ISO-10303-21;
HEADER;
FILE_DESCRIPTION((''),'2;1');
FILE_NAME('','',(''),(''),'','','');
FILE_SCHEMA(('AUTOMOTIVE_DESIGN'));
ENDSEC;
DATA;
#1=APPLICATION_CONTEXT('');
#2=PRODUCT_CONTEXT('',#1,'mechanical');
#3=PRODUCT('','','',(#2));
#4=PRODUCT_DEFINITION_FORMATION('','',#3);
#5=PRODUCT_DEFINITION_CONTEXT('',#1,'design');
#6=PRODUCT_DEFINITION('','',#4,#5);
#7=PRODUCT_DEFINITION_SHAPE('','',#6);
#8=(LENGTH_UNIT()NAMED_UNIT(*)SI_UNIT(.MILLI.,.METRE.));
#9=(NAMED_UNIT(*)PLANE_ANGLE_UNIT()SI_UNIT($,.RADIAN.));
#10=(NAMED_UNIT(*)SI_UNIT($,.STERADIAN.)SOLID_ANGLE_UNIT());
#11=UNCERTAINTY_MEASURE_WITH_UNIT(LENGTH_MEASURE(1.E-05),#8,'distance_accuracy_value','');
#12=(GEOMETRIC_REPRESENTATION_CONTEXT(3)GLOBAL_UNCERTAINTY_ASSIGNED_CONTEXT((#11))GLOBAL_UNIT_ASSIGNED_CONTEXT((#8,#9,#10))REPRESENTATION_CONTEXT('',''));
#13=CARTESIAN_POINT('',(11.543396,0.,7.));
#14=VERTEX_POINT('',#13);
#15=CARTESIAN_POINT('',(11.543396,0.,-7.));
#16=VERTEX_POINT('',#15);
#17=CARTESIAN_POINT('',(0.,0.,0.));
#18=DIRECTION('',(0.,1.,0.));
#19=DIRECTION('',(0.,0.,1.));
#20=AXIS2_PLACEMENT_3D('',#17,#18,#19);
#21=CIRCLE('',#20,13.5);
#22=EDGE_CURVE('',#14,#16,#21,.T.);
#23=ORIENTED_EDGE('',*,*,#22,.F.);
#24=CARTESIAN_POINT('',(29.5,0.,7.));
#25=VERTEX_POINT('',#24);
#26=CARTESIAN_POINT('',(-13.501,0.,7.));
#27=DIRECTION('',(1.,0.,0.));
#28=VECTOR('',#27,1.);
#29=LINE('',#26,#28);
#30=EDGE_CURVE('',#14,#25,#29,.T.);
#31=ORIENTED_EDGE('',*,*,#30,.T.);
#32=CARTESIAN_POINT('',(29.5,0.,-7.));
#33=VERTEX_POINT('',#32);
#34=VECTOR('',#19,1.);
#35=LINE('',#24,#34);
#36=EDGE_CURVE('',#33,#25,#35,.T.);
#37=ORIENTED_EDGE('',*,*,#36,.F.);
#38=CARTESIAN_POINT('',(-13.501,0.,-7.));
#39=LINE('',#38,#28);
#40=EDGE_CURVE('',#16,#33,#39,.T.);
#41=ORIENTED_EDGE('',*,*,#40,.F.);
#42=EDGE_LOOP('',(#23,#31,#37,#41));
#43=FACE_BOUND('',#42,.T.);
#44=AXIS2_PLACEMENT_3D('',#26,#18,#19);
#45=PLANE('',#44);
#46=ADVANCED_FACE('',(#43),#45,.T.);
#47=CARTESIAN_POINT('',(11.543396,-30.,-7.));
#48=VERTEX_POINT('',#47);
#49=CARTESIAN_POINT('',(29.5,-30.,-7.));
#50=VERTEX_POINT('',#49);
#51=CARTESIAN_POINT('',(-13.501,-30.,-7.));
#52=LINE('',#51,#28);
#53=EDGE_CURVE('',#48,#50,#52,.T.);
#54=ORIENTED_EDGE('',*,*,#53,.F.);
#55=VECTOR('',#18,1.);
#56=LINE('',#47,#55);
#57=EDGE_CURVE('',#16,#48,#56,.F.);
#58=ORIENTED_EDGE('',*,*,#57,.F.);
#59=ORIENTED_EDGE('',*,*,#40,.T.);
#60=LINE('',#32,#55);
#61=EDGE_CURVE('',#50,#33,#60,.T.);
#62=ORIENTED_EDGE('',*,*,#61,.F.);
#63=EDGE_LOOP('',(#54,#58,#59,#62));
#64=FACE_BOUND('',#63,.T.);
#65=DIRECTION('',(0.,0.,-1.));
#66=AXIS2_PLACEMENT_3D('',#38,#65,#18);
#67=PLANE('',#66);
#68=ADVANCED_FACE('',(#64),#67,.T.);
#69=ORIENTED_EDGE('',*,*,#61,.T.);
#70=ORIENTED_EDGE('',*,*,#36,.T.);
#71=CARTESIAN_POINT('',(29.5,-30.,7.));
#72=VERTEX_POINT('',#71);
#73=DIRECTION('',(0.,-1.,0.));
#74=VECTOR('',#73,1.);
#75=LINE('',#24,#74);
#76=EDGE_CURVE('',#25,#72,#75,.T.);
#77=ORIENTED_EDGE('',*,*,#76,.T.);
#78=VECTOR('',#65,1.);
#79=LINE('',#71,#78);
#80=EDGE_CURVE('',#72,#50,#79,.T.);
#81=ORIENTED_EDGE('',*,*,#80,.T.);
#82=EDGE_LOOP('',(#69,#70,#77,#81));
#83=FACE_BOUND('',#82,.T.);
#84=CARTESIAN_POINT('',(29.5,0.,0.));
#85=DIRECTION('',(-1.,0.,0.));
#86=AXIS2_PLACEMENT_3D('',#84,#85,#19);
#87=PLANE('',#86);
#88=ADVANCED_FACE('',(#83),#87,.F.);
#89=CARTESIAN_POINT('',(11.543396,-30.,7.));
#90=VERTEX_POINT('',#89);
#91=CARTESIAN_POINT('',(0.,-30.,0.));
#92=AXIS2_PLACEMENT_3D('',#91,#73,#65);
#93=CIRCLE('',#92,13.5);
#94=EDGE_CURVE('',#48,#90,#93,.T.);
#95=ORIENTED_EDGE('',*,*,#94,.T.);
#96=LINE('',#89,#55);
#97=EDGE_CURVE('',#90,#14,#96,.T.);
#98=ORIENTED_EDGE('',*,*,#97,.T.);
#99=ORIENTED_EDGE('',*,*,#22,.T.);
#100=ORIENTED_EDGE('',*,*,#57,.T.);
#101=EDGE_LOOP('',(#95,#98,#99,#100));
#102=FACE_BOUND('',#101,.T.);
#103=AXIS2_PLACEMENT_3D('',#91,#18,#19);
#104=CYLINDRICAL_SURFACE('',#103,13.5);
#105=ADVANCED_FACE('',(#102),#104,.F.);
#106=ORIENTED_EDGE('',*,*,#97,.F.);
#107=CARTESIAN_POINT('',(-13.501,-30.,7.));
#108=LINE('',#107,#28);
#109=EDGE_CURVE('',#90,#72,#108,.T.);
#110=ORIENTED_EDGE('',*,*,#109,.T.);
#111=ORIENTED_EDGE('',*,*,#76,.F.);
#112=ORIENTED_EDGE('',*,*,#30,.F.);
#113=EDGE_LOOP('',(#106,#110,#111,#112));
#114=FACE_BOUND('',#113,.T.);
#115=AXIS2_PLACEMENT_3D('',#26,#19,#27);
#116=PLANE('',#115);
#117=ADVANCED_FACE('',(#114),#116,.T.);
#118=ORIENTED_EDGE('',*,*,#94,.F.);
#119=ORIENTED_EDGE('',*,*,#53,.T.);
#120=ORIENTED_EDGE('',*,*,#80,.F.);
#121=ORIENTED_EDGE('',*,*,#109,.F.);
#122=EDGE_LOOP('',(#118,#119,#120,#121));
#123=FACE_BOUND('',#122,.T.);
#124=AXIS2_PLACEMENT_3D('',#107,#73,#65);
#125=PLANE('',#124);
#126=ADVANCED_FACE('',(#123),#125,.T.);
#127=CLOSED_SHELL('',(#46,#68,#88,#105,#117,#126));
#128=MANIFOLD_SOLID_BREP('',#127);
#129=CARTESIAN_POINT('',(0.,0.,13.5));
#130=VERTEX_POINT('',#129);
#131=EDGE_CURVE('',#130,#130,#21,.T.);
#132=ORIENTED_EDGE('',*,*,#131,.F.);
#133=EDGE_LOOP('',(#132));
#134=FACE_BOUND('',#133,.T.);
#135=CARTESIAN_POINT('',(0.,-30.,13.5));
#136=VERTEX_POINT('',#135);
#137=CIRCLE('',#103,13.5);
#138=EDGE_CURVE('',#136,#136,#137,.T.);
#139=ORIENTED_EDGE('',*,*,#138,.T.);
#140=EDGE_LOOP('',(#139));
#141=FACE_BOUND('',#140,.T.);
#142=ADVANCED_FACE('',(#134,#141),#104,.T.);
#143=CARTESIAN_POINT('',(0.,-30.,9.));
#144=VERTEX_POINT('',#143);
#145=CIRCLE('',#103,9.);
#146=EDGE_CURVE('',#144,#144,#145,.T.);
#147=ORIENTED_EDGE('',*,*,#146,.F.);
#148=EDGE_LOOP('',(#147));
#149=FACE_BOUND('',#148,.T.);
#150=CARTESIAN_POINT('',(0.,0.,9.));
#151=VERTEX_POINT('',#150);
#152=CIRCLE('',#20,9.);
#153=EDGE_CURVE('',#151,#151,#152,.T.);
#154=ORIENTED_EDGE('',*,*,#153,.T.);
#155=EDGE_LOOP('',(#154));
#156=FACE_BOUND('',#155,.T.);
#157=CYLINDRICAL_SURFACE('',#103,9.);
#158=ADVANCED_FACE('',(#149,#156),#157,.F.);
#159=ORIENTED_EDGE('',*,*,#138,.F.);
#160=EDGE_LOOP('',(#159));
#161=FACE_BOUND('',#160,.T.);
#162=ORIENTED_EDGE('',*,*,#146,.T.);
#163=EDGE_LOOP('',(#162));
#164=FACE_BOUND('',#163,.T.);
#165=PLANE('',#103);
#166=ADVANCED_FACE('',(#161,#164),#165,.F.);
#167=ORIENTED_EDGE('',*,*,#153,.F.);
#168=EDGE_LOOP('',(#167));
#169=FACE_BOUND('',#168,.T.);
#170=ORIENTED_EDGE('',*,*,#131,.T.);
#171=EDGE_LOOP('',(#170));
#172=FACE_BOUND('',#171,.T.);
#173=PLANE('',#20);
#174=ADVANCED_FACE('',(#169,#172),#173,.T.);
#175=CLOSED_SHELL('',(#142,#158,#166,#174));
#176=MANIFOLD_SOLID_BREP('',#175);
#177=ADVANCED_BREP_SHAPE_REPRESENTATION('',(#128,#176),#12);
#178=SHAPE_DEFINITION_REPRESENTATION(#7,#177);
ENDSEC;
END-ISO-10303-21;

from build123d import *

# Parameters (mm, degrees)
SKETCH1_R                = 13.5
BOSS_EXTRUDE1_DEPTH      = 30
SKETCH2_R                = 9
CUT_EXTRUDE1_DEPTH       = 36.559808773
BOSS_EXTRUDE3_REACH      = 56.141
BOSS_EXTRUDE3_END_RADIUS = 13.5
SKETCH3_W                = 14
SKETCH3_H                = 30


with BuildPart() as part:
    # Sketch1 → Boss-Extrude1 (new body)
    with BuildSketch(Plane(origin=(0, 0, 0), x_dir=(1, 0, 0), z_dir=(0, 1, 0))):
        with Locations(Location((0, 0, 0), (0, 0, 270))):
            Circle(SKETCH1_R)
    extrude(amount=-BOSS_EXTRUDE1_DEPTH)

    # Sketch2 → Cut-Extrude1 (cut, through all)
    with BuildSketch(Plane(origin=(0, 0, 0), x_dir=(1, 0, 0), z_dir=(0, 1, 0))):
        with Locations(Location((0, 0, 0), (0, 0, 270))):
            Circle(SKETCH2_R)
    extrude(amount=-CUT_EXTRUDE1_DEPTH, mode=Mode.SUBTRACT)


with BuildPart() as body_2:
    # Boss-Extrude3: up to this cylinder (the profile starts outside it)
    boss_extrude3_end = Plane(origin=(0, -15, 0), z_dir=(0, 1, 0)) * Cylinder(BOSS_EXTRUDE3_END_RADIUS, 140.282, mode=Mode.PRIVATE)
    # Sketch3 → Boss-Extrude3 (new, up to the surface)
    with BuildSketch(Plane(origin=(29.5, 0, 0), x_dir=(0, 0, -1), z_dir=(1, 0, 0)), mode=Mode.PRIVATE) as boss_extrude3_sk1:
        with Locations((0, -15)):
            Rectangle(SKETCH3_W, SKETCH3_H)
    boss_extrude3_tool1 = extrude(boss_extrude3_sk1.sketch, amount=-BOSS_EXTRUDE3_REACH, mode=Mode.PRIVATE) - boss_extrude3_end
    add(boss_extrude3_tool1.solids().sort_by_distance((29.5, -15, 0))[0])


solid = Compound([part.part, body_2.part])
